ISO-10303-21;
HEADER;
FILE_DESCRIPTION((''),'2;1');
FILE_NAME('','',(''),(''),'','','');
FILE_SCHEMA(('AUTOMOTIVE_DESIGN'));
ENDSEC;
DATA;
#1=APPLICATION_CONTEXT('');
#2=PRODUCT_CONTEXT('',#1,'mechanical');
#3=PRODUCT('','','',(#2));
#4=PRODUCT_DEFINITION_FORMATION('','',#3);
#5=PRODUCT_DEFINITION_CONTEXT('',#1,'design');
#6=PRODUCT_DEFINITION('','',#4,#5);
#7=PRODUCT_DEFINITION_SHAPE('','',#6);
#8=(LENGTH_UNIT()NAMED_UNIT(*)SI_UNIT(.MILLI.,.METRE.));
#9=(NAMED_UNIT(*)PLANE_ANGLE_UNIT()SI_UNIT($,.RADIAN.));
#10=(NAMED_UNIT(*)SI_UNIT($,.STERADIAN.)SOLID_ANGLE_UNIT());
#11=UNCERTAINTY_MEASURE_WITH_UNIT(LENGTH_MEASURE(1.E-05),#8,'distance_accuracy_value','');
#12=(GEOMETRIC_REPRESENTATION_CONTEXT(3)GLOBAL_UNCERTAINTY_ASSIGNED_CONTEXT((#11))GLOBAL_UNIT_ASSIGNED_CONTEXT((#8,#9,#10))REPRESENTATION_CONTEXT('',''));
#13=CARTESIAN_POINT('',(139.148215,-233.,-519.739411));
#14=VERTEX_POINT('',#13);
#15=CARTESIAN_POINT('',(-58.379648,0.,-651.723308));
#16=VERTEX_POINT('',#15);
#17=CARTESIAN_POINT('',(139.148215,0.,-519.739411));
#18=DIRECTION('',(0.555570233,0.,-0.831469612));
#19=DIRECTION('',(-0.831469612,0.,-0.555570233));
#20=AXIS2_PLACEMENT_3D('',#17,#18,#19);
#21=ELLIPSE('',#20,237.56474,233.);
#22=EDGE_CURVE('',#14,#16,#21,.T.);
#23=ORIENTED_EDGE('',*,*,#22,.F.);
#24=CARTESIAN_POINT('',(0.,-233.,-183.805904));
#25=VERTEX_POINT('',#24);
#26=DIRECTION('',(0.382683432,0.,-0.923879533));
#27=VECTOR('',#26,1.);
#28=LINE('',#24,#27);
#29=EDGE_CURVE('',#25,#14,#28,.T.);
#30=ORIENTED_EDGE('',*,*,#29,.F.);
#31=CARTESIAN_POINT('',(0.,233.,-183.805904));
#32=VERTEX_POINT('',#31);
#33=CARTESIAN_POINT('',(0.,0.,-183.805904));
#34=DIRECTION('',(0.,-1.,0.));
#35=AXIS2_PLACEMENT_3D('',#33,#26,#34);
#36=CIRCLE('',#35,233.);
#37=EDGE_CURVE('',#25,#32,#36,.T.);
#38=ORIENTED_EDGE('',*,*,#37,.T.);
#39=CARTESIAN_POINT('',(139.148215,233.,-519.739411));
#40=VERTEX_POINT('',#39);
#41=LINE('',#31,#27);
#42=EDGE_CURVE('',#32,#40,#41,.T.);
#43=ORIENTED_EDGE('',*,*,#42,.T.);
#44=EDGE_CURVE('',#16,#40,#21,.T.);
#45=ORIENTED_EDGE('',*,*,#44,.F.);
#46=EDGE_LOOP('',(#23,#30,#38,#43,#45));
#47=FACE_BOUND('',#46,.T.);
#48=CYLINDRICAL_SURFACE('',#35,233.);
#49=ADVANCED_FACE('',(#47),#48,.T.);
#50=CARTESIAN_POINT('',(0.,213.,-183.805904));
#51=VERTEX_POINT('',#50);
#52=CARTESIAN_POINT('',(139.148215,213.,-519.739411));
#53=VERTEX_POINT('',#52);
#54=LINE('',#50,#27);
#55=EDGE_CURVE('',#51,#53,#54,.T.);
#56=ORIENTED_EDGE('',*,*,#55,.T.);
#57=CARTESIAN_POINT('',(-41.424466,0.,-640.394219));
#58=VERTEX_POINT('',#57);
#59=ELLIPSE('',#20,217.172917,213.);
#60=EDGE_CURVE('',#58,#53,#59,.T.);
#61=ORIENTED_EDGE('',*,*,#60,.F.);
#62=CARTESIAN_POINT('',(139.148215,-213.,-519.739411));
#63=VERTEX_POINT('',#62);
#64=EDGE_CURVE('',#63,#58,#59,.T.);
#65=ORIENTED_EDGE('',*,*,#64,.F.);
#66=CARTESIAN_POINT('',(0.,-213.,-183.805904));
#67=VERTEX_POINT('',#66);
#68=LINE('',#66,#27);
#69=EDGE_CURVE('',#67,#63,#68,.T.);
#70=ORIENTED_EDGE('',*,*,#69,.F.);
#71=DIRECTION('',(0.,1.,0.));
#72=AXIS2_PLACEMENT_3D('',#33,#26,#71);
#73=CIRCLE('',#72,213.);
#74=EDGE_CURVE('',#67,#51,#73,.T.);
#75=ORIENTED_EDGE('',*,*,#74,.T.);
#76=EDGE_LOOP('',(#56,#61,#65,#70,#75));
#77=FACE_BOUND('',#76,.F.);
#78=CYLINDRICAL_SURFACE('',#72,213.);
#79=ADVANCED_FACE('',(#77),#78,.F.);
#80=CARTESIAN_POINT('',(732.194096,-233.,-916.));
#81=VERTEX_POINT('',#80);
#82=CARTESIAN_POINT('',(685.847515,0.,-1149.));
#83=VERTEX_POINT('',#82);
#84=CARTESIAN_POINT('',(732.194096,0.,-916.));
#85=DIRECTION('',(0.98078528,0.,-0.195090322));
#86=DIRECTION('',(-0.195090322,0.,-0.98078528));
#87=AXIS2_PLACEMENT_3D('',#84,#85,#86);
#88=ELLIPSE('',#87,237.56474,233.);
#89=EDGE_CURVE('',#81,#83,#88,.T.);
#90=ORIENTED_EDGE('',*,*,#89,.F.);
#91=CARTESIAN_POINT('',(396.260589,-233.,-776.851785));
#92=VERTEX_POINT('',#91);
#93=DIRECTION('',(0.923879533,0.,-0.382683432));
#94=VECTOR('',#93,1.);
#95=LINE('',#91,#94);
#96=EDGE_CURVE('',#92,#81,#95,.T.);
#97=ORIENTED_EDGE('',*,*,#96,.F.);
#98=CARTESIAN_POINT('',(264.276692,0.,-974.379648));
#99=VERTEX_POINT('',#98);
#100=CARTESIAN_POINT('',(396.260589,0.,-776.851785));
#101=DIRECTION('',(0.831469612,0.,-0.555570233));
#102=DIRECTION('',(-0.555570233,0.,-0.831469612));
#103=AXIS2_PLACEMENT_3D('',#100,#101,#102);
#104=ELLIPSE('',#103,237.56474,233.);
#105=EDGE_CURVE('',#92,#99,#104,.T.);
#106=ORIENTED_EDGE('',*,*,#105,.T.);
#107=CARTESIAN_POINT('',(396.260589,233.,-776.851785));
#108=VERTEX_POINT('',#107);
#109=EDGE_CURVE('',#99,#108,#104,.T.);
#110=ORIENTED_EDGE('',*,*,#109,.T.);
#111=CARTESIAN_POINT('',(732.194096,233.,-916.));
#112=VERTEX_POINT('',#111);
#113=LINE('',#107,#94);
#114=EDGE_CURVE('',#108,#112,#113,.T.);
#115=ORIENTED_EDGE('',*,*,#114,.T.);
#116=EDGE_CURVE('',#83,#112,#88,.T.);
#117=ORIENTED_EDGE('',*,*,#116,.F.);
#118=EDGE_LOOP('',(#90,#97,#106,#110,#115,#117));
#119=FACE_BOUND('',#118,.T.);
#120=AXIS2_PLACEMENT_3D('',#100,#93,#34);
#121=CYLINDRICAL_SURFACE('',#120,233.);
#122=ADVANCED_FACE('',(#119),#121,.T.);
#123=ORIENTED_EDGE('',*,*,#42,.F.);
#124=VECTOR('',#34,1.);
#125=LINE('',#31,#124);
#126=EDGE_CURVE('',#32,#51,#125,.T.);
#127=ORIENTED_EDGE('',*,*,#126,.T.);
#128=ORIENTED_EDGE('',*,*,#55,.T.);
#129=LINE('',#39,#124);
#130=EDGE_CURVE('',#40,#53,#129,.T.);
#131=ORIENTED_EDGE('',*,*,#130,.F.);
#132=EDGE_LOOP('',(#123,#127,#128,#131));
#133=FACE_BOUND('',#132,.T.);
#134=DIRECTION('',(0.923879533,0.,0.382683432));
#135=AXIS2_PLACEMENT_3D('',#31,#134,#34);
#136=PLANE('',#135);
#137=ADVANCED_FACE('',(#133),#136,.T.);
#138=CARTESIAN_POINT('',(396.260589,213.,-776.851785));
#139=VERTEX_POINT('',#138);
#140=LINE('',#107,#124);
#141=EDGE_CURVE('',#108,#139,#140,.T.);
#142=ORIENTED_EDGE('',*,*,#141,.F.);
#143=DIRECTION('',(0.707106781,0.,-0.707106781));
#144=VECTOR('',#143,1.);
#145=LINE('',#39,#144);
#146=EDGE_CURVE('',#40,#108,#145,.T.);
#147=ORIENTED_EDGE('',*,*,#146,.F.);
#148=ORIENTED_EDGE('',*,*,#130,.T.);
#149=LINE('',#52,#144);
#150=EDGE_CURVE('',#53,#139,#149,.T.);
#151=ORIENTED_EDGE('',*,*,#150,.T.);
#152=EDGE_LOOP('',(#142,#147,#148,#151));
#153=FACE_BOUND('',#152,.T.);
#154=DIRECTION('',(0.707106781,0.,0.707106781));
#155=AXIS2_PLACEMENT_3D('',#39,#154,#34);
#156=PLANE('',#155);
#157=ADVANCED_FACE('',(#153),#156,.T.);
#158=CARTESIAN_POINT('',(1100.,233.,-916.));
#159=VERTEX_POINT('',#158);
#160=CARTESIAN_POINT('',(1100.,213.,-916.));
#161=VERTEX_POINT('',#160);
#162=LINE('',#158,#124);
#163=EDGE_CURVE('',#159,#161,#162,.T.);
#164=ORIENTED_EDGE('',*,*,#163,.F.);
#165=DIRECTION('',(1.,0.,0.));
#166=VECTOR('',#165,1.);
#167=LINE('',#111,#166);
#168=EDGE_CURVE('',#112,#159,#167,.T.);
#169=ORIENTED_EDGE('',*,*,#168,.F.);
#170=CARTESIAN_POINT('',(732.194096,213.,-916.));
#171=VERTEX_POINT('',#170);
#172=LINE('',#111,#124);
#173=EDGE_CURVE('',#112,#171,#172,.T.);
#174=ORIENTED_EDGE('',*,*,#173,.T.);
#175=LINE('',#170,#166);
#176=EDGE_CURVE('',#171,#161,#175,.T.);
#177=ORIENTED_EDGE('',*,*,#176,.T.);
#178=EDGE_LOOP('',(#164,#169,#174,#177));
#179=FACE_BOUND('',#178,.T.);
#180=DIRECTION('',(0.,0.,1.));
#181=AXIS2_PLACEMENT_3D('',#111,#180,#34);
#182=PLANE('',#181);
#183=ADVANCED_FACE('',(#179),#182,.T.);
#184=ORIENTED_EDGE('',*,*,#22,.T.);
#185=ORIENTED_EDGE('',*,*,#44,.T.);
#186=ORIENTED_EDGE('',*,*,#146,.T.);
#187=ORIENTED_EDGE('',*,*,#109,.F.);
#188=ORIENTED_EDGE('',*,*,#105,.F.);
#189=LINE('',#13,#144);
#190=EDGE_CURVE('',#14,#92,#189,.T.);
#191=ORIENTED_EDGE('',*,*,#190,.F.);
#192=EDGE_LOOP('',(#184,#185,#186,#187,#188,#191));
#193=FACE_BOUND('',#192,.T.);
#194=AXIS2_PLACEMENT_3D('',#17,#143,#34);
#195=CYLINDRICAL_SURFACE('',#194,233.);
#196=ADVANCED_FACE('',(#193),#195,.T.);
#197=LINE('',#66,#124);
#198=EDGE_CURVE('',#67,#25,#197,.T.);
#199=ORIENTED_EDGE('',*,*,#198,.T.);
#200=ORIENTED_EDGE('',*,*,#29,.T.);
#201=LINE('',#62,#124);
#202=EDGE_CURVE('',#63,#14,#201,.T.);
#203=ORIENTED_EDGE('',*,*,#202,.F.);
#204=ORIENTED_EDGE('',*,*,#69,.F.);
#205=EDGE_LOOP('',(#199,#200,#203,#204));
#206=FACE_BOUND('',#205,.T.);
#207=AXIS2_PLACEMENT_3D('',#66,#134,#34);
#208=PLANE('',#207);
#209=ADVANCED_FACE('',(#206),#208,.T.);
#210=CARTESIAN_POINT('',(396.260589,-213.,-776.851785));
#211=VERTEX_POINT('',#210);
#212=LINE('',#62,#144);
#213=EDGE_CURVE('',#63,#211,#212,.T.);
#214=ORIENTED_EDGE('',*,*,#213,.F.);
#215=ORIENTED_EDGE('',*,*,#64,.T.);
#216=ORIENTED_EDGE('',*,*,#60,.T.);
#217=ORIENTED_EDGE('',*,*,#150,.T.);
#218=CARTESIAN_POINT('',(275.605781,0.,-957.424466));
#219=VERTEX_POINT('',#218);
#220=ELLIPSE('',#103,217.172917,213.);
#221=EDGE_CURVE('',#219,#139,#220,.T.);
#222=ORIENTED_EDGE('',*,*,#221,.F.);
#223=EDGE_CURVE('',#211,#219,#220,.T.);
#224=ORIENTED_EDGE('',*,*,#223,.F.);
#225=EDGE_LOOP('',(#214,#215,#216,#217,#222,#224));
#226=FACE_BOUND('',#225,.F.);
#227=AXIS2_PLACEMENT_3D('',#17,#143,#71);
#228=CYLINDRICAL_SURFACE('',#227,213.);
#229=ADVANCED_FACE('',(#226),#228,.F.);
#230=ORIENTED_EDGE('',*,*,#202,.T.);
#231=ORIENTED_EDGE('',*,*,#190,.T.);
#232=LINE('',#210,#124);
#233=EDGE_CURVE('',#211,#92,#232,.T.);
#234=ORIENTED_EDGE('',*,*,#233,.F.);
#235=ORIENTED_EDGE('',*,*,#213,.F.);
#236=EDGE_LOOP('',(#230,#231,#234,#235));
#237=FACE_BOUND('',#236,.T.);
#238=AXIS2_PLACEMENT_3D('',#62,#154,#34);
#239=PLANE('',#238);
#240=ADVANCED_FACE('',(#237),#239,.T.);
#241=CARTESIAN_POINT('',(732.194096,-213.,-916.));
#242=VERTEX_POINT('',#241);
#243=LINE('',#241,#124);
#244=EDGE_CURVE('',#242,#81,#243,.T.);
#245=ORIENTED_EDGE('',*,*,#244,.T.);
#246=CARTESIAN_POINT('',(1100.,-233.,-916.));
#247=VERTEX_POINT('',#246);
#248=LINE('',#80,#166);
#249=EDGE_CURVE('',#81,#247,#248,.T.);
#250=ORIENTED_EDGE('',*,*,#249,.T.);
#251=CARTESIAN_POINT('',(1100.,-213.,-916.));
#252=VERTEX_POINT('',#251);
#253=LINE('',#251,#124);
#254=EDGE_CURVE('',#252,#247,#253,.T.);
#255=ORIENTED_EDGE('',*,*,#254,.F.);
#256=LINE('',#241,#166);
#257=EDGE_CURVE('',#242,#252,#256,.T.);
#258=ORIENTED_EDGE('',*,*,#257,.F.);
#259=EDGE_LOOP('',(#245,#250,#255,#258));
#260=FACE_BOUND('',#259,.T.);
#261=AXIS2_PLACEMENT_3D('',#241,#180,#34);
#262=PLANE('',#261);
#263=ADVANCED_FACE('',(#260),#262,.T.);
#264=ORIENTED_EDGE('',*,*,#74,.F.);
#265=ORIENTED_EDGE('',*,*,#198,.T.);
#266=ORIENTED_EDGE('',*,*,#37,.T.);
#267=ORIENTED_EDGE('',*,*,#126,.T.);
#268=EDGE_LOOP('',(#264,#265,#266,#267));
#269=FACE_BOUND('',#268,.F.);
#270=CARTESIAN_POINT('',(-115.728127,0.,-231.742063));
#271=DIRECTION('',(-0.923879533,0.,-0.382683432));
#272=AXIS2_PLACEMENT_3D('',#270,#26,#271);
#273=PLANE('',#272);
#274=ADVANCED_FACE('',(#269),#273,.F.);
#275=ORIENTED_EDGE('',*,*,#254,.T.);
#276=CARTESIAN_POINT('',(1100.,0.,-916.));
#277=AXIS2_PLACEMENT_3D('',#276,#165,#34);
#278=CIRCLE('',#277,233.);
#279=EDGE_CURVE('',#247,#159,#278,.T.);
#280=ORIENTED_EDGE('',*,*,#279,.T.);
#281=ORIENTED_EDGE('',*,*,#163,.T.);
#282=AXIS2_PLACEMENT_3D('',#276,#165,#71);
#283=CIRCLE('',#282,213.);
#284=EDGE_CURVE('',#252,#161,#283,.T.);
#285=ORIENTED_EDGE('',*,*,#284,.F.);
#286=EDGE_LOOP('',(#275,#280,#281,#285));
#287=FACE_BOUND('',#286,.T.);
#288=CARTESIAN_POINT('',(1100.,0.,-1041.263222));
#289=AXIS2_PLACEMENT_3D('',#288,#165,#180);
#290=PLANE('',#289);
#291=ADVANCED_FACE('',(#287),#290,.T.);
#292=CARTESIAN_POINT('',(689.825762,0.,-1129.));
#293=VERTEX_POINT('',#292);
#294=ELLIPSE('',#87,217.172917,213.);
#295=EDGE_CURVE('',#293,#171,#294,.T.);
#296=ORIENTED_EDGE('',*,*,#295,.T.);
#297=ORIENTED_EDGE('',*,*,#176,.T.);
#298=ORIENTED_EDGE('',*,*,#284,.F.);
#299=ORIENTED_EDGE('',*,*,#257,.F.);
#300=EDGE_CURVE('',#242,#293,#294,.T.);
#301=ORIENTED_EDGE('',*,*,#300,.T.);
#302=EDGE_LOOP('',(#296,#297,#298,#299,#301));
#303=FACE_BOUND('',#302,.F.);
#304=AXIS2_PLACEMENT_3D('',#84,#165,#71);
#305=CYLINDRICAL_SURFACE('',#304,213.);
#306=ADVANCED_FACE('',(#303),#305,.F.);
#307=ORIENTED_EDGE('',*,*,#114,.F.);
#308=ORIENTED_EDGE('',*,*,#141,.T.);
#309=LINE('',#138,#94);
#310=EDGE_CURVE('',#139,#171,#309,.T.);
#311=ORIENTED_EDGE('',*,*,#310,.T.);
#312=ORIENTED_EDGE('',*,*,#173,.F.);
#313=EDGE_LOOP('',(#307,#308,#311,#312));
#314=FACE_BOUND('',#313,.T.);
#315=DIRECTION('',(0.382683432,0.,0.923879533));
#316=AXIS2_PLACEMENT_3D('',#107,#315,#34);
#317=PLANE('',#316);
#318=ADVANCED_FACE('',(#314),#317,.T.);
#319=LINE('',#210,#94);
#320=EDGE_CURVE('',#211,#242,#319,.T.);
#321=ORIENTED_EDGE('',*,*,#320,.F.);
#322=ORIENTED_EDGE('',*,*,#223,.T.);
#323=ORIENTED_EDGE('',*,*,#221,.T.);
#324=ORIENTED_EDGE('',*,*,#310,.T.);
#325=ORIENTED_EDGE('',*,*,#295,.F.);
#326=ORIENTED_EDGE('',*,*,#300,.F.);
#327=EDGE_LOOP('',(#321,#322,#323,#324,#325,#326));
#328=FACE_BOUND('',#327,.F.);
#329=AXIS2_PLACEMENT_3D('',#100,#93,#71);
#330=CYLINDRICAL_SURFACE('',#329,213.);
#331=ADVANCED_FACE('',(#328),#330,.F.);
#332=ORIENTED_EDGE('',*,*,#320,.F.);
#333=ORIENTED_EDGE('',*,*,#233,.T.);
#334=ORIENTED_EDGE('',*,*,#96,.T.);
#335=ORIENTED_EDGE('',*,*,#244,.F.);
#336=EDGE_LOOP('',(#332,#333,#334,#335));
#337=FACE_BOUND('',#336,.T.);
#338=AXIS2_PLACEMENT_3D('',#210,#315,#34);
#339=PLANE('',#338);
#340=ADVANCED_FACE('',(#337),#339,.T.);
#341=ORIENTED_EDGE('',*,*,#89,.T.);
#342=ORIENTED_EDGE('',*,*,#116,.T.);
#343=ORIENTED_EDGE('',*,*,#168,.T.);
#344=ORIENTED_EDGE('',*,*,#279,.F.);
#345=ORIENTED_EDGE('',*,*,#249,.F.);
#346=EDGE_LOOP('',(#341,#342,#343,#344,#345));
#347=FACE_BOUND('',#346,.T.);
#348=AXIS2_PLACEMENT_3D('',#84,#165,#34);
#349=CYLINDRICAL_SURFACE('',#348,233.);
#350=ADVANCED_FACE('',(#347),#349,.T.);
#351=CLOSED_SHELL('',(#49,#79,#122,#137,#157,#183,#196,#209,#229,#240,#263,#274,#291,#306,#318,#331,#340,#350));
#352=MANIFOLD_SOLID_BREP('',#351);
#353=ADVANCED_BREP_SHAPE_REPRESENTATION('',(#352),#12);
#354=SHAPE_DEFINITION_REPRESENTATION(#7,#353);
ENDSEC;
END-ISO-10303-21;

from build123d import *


with BuildPart() as f3:
    # F3: sweep along a path in F0
    with BuildLine(Plane.XZ) as f3_path:
        Line((0, -183.805903785), (139.1482145694, -519.7394105784))
        Line((139.1482145694, -519.7394105784), (396.2605894216, -776.8517854306))
        Line((396.2605894216, -776.8517854306), (732.194096215, -916))
        Line((732.194096215, -916), (1100, -916))
    # F2 (on line) → F3 (sweep)
    with BuildSketch(Plane.YZ.offset(1100)):
        with BuildLine():
            ThreePointArc((213, -916), (0, -1129), (-213, -916))
            Line((-213, -916), (-233, -916))
            ThreePointArc((-233, -916), (0, -1149), (233, -916))
            Line((233, -916), (213, -916))
        make_face()
    sweep(path=f3_path.line, transition=Transition.RIGHT)


solid = f3.part
